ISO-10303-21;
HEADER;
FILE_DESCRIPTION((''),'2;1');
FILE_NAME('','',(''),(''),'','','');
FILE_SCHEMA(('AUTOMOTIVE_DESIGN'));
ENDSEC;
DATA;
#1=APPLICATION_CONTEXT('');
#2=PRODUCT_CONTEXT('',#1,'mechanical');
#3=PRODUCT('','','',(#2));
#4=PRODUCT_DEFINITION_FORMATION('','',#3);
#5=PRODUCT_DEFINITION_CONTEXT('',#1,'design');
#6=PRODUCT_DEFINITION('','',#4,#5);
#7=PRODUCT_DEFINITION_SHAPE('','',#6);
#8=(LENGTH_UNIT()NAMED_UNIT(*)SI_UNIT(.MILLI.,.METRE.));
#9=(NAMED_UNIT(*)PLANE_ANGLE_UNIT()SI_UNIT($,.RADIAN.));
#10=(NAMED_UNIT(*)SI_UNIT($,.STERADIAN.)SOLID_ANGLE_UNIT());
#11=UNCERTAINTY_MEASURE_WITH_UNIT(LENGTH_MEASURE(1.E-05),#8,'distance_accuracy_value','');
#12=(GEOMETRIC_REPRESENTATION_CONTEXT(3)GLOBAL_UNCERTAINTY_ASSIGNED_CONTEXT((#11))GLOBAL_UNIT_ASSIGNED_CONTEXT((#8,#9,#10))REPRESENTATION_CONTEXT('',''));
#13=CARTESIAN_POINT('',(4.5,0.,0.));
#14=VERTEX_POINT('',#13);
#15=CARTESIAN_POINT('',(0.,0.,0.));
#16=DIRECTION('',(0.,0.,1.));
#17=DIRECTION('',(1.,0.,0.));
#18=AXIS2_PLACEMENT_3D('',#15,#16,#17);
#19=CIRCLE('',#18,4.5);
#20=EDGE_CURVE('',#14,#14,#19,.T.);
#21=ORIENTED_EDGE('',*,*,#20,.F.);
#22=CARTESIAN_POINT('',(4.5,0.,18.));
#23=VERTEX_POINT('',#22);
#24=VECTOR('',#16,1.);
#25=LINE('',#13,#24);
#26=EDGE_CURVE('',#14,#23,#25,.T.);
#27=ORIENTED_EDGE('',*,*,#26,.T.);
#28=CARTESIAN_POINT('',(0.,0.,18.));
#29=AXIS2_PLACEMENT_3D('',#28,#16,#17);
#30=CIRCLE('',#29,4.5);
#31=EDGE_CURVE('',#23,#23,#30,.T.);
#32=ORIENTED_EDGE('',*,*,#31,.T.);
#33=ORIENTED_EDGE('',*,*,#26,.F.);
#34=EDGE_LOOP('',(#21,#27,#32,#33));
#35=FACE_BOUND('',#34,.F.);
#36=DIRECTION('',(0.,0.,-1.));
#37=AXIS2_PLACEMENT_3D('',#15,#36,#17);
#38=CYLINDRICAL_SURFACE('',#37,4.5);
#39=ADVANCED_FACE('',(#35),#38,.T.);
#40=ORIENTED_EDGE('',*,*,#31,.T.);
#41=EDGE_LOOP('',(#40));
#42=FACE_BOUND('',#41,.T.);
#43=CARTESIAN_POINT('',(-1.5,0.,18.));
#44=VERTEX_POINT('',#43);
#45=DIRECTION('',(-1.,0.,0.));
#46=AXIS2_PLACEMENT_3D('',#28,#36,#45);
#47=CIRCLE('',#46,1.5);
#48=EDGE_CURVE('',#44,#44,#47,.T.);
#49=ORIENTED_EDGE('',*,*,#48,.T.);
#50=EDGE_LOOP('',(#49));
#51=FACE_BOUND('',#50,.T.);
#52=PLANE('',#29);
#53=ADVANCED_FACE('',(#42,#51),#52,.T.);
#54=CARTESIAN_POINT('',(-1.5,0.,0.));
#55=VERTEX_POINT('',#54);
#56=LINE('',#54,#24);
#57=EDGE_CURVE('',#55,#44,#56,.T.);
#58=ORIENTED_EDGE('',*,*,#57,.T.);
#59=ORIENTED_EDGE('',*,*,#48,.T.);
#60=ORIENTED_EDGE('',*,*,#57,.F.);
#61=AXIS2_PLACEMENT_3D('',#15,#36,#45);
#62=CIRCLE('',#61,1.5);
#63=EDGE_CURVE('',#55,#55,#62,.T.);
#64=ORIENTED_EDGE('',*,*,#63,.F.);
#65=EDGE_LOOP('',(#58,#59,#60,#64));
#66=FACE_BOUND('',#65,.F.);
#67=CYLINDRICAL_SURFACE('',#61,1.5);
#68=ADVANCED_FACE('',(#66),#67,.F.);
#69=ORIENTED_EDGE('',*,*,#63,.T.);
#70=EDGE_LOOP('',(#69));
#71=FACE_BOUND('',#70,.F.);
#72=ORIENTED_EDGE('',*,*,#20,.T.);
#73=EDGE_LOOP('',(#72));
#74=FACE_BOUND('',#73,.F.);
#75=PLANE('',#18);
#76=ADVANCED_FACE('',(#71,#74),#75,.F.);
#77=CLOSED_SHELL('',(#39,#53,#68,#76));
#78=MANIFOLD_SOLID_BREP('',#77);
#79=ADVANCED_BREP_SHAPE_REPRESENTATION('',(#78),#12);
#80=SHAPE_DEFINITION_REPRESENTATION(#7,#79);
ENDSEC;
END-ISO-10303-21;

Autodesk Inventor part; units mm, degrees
ref_plane "YZ Plane" through (0, 0, 0) normal (1, 0, 0) x (0, 1, 0)
ref_plane "XZ Plane" through (0, 0, 0) normal (0, 1, 0) x (-1, 0, 0)
ref_plane "XY Plane" through (0, 0, 0) normal (0, 0, 1) x (1, 0, 0)
sketch "スケッチ1" plane through (0, 0, 0) normal (0, 0, 1) x (1, 0, 0)
  circle A0 centre (0, 0) radius 4.5
  dimension "d0" = 9
extrude "押し出し1" add sketch "スケッチ1" along normal blind 18
sketch "スケッチ2" plane through (0, 0, 0) normal (0, 0, -1) x (-1, 0, 0)
  circle A0 centre (0, 0) radius 1.5
  dimension "d3" = 3
extrude "押し出し2" cut sketch "スケッチ2" against normal blind 18
properties part number "S50B 18K+0803" material "真鍮"
